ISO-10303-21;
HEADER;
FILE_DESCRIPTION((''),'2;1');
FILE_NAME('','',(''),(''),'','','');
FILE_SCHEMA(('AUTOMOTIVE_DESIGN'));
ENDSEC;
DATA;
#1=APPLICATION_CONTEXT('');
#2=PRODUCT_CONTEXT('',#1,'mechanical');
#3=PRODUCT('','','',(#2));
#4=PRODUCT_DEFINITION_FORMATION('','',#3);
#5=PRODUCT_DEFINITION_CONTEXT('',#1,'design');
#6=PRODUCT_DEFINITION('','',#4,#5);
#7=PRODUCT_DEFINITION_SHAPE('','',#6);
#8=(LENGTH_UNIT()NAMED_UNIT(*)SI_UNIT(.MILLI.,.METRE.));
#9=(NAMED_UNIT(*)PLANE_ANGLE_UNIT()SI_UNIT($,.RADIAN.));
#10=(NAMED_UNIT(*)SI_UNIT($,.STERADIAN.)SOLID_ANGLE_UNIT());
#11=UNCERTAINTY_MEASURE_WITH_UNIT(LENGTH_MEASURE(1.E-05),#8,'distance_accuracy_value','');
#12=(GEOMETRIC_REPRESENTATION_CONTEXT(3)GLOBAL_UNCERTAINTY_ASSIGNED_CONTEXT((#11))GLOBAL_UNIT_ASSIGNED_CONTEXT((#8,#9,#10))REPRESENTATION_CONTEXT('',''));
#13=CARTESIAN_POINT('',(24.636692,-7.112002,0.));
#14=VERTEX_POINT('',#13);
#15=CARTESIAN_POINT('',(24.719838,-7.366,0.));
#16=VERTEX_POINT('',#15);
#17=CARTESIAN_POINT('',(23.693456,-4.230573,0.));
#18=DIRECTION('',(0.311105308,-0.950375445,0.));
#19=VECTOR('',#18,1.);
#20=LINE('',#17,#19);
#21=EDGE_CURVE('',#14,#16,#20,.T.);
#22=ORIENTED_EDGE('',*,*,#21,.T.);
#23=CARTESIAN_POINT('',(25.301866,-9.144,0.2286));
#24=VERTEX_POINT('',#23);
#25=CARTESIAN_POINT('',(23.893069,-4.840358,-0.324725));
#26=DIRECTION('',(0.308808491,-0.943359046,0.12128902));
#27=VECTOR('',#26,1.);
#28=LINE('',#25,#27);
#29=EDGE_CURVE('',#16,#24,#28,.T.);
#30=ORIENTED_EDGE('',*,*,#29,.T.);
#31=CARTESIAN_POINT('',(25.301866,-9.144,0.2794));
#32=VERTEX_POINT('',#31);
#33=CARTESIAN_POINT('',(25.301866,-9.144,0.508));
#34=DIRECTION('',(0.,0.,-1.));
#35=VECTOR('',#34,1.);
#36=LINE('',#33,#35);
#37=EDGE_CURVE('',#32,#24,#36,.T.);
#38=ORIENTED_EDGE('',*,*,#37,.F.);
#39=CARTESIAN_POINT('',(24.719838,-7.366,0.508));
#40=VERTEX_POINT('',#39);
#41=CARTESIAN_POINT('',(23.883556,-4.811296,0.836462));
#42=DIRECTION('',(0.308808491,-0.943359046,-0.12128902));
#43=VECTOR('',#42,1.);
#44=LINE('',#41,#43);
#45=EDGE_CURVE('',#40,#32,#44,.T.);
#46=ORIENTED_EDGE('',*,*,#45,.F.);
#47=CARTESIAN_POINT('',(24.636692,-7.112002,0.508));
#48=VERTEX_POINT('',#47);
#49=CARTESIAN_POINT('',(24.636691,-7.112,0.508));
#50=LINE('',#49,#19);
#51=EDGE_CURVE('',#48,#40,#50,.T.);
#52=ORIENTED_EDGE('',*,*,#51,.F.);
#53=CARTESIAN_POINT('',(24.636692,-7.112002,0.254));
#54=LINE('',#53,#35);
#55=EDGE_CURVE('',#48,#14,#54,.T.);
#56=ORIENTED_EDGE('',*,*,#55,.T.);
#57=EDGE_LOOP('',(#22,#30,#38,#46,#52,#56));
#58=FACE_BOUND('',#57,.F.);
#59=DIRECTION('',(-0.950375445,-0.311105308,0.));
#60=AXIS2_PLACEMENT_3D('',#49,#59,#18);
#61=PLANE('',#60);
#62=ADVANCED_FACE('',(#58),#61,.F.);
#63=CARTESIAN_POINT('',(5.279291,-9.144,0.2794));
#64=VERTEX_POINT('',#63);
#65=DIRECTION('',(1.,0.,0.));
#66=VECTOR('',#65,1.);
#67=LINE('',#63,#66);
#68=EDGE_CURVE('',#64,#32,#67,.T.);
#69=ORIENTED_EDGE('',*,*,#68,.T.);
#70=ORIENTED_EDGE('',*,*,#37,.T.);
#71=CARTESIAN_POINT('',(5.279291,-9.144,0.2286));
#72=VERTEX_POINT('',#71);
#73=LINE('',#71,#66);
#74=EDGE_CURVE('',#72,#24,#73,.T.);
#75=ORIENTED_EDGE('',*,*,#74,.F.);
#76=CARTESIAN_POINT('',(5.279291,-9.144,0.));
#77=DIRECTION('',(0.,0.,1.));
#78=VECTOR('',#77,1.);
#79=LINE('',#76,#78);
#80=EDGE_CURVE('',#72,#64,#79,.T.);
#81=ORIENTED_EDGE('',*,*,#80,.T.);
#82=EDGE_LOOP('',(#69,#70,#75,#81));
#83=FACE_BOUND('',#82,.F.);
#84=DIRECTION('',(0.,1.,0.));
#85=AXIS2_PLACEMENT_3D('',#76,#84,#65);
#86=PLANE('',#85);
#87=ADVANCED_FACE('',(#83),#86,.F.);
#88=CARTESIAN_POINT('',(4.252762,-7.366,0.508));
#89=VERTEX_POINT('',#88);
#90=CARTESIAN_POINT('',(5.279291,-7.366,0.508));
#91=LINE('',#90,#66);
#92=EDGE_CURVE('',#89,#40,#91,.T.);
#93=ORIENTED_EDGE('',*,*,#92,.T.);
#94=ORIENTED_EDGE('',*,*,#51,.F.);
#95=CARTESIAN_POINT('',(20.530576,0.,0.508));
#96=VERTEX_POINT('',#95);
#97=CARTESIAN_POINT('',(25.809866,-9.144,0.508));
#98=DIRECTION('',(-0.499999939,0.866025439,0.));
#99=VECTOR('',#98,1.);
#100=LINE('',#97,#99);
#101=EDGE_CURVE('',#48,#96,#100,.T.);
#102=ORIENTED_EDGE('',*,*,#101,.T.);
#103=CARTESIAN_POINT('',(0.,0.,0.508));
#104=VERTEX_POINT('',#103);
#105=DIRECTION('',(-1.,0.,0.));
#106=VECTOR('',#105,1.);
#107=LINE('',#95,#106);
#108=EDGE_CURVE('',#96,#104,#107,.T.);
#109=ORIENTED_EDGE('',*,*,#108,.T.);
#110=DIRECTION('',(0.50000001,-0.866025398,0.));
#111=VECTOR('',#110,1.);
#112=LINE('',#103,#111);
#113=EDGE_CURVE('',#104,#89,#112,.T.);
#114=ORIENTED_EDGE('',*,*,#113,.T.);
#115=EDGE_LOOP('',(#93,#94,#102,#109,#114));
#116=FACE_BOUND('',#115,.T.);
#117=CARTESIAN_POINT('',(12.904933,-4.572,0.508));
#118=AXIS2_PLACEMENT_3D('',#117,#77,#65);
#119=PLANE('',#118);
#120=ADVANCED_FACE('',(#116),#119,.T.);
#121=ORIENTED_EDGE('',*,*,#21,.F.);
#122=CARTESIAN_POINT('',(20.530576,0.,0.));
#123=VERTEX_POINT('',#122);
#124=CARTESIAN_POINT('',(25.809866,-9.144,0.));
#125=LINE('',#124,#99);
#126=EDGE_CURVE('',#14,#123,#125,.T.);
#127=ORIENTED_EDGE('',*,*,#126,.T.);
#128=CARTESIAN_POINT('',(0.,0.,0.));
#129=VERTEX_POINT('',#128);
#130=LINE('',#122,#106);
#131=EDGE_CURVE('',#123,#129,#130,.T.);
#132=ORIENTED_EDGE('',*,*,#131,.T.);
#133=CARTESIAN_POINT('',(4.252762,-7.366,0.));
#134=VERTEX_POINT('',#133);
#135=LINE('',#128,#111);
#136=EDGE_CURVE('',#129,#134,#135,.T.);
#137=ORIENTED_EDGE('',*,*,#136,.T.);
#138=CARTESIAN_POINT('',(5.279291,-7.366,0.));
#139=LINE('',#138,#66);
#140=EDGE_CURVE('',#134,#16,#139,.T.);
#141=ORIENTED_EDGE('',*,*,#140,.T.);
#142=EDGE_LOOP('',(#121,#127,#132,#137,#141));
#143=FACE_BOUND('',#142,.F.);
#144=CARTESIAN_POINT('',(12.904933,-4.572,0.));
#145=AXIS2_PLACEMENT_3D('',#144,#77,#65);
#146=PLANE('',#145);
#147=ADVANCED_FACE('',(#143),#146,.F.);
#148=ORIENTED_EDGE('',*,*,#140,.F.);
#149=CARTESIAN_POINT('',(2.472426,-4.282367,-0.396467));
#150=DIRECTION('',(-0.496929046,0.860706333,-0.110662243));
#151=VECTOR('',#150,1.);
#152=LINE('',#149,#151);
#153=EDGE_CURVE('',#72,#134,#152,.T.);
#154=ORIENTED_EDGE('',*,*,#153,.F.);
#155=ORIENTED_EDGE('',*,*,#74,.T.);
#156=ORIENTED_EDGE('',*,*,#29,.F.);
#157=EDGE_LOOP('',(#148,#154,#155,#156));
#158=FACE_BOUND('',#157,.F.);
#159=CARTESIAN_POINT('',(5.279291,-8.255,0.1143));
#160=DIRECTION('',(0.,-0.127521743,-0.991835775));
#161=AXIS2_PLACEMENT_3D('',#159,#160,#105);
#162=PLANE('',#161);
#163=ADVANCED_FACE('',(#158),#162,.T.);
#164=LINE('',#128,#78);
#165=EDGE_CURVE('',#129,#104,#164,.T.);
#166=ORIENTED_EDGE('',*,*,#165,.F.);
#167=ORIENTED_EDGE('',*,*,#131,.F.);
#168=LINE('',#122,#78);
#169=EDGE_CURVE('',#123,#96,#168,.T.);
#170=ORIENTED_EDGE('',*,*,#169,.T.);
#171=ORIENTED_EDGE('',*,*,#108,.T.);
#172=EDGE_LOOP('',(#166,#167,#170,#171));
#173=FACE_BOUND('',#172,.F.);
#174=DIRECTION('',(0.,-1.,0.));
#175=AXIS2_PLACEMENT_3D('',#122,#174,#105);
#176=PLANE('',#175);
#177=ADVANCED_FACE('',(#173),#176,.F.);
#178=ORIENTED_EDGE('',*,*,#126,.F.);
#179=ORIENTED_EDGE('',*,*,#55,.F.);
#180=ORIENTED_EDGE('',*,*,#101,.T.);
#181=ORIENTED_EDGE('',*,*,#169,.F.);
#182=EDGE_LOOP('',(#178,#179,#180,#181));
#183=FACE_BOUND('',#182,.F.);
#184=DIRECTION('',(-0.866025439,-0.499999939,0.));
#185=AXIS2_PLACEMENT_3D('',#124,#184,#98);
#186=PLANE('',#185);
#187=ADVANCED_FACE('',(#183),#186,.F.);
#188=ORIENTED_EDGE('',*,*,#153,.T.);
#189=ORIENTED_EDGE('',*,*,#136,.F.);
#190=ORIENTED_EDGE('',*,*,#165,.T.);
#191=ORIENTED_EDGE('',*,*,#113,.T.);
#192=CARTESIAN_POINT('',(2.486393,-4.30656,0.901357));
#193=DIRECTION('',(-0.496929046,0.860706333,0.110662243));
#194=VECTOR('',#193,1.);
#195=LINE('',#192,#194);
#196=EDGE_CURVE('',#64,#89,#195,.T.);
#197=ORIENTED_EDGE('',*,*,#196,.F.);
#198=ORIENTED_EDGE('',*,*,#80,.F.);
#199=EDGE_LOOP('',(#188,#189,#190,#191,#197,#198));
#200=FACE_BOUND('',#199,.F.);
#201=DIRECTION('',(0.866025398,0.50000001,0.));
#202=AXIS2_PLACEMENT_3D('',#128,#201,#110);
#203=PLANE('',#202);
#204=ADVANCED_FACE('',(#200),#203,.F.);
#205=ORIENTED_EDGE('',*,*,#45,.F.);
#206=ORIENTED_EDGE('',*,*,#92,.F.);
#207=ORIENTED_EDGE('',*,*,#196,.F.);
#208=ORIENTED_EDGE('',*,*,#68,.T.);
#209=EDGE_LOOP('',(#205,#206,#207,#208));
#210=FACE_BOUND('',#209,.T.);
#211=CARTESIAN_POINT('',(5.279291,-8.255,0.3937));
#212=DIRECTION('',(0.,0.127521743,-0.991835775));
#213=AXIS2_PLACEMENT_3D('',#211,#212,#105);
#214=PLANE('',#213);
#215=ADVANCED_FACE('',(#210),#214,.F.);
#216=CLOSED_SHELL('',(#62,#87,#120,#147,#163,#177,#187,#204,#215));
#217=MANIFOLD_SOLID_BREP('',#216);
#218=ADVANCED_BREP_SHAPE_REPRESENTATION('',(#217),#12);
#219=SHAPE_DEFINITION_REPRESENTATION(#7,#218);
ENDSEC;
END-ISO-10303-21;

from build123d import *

# Parameters (mm, degrees)
F1_DEPTH = 0.508
F3_SIZE2 = 1.778
F3_SIZE  = 0.2286
F4_DEPTH = 25.4


with BuildPart() as f1:
    # F0 (on Top) → F1 (new body)
    with BuildSketch(Plane.XY):
        Polygon((20.530576, 0), (0, 0), (5.279291, -9.144), (25.809866, -9.144), align=None)
    extrude(amount=F1_DEPTH)

    # F3
    f3_edges = [f1.edges().sort_by_distance(p)[0] for p in [
        (15.544579, -9.144, 0.508),
        (15.544579, -9.144, 0),
    ]]
    chamfer(f3_edges, length=F3_SIZE, length2=F3_SIZE2)

    # F2 (on face) → F4 (cut)
    with BuildSketch(Plane.XY.offset(0.508)):
        Polygon((25.301866, -9.144), (25.809866, -9.144), (24.636691, -7.112), align=None)
    extrude(amount=-F4_DEPTH, mode=Mode.SUBTRACT)


solid = f1.part
